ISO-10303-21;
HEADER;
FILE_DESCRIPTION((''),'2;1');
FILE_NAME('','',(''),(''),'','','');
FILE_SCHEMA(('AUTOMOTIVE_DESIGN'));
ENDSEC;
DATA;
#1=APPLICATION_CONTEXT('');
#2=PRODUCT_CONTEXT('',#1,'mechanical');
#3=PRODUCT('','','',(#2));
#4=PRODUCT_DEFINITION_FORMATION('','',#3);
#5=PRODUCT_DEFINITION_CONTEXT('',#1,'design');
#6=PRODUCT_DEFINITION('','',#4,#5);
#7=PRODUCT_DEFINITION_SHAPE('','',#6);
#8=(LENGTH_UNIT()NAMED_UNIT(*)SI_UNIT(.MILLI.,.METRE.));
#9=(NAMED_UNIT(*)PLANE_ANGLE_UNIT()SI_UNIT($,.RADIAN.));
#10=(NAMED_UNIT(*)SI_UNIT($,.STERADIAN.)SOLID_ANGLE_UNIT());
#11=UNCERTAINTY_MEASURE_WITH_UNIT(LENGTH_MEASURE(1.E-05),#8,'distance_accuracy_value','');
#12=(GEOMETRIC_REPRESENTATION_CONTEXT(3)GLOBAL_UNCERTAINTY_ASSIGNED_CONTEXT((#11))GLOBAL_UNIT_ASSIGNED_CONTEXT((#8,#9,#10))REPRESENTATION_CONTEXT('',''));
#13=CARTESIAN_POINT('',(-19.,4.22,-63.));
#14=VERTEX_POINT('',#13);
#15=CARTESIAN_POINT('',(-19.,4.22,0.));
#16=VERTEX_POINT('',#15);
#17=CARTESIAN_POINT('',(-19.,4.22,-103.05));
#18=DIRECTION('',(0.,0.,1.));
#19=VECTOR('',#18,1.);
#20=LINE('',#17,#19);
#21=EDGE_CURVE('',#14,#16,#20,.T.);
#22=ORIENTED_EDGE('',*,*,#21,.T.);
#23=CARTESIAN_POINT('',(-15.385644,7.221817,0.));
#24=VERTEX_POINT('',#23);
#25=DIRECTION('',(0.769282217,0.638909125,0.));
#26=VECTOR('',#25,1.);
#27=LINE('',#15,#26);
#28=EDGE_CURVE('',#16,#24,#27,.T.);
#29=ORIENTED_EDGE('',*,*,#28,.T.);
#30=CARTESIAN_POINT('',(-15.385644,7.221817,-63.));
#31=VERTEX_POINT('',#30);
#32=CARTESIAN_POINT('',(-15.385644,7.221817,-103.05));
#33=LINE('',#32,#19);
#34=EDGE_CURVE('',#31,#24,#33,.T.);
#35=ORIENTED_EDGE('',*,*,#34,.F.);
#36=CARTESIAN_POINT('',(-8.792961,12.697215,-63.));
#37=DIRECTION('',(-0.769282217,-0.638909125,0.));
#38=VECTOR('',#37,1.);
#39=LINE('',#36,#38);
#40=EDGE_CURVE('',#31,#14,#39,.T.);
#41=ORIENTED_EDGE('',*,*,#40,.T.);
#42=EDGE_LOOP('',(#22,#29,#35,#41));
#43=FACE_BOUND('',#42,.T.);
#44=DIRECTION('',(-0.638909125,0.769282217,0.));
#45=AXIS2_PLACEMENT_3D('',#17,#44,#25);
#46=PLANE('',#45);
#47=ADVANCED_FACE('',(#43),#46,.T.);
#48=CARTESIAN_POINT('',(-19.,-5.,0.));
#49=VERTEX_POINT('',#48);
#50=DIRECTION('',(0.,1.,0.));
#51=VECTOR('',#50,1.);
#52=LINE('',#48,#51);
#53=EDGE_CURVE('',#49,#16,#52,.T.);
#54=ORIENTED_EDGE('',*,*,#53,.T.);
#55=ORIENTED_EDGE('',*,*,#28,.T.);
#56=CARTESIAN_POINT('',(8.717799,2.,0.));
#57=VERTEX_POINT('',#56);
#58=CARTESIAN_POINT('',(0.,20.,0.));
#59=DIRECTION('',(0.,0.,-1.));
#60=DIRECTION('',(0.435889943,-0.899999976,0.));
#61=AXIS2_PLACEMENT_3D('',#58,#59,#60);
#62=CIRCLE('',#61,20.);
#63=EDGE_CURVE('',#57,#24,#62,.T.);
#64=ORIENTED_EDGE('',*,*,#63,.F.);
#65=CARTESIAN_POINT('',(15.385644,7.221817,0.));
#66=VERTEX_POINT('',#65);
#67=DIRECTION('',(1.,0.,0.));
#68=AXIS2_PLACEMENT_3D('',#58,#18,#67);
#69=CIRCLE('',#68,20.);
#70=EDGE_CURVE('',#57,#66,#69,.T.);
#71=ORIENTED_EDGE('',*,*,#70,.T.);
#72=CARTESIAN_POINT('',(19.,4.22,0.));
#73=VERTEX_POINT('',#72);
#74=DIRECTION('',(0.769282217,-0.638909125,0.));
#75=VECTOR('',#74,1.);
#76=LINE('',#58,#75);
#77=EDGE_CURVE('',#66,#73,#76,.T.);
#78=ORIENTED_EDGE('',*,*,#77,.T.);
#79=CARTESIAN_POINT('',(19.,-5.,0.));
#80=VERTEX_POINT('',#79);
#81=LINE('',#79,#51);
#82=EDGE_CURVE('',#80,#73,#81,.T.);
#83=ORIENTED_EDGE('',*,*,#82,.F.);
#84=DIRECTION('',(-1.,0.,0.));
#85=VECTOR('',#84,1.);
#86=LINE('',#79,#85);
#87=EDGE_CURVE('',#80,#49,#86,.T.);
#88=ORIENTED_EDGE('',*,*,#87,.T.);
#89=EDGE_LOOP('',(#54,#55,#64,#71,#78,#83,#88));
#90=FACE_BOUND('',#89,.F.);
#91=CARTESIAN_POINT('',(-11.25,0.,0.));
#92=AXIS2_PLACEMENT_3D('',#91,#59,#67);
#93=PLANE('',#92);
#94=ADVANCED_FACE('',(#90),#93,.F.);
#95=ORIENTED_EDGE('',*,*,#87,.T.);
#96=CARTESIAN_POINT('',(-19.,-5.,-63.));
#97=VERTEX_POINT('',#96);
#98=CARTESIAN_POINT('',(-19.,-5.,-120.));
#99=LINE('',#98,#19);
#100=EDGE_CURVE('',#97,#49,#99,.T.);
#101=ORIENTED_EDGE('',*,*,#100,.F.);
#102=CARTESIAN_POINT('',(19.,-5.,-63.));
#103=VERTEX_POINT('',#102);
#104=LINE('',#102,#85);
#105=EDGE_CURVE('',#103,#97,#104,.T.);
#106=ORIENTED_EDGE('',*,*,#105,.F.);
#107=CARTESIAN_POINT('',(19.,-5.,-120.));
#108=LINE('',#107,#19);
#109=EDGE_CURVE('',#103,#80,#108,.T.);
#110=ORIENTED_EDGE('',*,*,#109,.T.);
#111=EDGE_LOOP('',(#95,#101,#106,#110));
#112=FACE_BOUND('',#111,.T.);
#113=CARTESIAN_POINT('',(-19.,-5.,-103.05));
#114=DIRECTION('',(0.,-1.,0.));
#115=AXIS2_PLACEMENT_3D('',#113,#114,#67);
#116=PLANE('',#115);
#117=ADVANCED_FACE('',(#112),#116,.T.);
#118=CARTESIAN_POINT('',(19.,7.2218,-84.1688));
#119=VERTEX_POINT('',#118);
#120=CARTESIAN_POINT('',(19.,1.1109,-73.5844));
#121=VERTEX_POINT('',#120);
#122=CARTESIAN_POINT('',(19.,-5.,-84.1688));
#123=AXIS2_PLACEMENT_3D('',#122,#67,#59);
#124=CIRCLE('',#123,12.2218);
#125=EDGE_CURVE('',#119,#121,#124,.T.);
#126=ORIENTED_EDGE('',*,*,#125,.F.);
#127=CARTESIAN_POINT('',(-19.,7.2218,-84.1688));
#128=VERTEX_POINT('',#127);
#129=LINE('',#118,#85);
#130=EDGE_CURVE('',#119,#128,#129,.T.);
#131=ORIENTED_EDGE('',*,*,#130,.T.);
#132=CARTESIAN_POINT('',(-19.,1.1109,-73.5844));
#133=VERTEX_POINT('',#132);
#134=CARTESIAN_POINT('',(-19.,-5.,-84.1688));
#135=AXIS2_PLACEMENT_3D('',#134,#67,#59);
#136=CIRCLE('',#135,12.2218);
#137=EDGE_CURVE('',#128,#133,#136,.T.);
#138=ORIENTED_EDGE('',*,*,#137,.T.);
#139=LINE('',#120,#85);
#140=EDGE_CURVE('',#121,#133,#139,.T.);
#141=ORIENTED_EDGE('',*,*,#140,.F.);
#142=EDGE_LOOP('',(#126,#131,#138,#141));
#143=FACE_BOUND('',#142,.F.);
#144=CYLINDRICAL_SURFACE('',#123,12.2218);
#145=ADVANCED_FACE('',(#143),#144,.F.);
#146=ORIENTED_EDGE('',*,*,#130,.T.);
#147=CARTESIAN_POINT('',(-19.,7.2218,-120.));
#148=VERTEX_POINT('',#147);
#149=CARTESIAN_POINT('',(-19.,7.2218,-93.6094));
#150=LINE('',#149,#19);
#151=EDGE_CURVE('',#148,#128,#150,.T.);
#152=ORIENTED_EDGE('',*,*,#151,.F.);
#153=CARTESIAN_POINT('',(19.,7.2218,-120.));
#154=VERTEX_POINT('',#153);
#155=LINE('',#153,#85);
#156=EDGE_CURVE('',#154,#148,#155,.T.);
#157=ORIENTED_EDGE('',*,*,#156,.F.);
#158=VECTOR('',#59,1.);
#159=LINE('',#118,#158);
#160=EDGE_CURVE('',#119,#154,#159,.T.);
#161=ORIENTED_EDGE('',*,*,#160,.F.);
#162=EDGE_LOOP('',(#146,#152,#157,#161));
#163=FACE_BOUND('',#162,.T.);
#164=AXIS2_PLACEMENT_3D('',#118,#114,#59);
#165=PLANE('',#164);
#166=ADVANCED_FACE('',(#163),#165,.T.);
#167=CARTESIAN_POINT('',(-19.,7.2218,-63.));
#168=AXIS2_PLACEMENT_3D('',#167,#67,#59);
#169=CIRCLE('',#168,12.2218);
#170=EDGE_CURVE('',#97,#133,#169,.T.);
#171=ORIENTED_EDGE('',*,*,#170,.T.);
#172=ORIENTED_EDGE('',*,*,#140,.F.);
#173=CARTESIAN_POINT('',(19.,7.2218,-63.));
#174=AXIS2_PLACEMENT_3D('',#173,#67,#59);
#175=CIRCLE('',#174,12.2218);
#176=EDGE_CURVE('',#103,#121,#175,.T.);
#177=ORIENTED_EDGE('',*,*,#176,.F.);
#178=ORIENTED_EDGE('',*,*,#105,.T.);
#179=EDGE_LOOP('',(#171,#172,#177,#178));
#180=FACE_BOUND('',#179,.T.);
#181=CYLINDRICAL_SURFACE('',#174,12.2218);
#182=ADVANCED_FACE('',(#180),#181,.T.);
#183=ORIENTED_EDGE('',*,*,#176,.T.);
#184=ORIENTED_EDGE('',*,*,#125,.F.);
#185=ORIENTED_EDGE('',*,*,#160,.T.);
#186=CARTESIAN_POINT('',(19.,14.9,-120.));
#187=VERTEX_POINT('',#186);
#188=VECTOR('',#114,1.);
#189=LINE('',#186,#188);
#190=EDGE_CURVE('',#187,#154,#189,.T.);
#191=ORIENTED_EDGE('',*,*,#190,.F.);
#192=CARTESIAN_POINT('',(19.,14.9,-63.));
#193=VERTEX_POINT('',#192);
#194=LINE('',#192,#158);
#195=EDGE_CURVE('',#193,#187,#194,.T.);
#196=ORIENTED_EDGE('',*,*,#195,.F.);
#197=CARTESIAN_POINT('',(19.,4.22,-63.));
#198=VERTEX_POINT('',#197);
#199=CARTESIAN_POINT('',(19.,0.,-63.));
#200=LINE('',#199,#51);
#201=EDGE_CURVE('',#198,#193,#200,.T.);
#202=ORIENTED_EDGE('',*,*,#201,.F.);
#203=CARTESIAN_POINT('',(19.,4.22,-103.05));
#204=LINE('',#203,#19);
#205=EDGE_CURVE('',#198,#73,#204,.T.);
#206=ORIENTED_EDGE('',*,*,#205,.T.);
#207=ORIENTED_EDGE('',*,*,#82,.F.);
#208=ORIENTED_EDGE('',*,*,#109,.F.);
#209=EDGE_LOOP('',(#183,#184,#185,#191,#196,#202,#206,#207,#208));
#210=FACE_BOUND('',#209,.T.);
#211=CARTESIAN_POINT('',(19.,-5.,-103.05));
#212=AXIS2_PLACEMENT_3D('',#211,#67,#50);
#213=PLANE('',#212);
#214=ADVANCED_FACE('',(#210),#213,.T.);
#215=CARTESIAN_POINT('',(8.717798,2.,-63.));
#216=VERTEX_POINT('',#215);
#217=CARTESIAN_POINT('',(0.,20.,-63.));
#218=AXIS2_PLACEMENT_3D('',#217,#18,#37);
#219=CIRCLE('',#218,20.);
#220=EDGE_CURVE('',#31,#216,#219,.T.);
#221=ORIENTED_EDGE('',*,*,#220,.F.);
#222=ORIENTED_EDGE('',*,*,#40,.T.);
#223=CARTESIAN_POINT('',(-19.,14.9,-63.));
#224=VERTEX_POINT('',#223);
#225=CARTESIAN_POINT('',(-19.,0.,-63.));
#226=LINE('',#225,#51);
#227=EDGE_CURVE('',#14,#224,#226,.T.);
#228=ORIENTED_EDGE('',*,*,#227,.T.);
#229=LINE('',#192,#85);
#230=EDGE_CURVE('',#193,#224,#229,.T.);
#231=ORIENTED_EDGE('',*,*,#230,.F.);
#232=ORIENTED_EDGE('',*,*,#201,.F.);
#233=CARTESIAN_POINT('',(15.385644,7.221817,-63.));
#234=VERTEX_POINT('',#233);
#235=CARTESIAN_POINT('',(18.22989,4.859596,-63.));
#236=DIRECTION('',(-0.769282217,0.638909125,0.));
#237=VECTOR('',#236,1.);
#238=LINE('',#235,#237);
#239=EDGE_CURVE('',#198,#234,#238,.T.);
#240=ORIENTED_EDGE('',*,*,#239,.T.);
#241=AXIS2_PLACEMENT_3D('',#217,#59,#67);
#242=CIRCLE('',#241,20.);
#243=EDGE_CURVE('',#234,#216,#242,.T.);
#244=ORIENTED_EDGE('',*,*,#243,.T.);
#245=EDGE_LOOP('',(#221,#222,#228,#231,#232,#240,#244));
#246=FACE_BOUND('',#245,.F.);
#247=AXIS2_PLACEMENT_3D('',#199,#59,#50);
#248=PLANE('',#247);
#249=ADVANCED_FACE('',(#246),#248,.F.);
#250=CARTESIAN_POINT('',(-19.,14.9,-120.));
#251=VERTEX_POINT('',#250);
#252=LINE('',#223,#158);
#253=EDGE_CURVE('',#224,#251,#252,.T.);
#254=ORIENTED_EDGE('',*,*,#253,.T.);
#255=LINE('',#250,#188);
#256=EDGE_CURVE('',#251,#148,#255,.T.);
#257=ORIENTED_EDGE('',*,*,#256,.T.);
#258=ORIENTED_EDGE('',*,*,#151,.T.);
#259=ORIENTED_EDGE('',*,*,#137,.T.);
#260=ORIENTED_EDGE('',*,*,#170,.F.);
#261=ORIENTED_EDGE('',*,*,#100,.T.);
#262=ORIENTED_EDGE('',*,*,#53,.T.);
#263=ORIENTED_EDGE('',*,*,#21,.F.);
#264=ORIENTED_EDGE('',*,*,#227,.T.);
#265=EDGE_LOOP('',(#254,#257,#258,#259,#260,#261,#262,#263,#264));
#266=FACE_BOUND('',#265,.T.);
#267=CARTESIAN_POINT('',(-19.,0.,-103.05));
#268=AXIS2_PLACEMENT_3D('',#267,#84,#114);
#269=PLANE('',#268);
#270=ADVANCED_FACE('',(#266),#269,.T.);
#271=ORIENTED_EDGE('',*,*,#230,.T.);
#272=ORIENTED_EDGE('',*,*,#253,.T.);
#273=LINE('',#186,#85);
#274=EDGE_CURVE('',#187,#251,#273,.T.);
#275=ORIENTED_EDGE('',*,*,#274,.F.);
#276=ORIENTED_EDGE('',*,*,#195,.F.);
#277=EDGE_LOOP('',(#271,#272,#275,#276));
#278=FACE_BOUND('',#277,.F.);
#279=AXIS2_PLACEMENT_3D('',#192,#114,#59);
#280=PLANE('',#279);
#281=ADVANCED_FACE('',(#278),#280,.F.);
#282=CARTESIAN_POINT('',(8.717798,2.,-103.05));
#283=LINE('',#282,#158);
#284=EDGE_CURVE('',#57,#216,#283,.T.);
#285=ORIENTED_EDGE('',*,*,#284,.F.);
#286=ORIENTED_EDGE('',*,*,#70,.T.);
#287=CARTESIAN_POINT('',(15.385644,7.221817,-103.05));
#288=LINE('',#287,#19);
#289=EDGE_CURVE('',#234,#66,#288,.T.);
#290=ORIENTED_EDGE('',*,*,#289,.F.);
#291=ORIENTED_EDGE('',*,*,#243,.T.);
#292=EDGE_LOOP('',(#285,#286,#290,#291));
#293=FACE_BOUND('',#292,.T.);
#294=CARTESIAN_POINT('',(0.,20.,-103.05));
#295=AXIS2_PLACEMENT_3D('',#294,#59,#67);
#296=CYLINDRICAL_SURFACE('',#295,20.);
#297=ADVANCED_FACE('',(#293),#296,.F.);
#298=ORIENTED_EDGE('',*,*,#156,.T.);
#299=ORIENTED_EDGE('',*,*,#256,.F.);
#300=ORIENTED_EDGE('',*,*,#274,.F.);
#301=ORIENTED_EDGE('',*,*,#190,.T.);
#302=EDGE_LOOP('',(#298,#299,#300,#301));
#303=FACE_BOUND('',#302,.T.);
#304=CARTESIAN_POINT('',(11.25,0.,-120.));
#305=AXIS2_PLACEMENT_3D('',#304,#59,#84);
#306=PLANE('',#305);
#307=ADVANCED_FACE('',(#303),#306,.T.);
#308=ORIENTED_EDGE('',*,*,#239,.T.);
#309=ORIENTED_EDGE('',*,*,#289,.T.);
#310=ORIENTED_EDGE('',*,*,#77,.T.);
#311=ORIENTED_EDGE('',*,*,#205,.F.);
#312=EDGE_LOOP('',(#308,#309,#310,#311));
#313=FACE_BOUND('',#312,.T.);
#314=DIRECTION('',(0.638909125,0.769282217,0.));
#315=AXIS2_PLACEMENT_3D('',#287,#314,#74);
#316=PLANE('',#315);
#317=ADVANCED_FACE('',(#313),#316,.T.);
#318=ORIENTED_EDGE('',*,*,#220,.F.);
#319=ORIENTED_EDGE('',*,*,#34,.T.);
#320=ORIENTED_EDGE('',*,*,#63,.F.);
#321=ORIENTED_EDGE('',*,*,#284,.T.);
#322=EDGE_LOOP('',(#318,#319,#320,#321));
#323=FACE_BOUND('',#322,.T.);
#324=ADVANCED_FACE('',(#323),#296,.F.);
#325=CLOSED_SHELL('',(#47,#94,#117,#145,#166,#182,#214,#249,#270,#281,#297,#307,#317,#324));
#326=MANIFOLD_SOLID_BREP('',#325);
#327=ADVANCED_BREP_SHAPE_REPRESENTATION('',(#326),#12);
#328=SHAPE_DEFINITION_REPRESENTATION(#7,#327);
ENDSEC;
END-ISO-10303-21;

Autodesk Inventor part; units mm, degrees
ref_plane "YZ Plane" through (0, 0, 0) normal (1, 0, 0) x (0, 1, 0)
ref_plane "XZ Plane" through (0, 0, 0) normal (0, 1, 0) x (-1, 0, 0)
ref_plane "XY Plane" through (0, 0, 0) normal (0, 0, 1) x (1, 0, 0)
sketch "スケッチ1" plane through (0, 0, 0) normal (0, 1, 0) x (-1, 0, 0)
  line L0 (11.25, 0) -> (-11.25, 0)
  line L1 (-11.25, 0) -> (-11.25, -120)
  line L2 (-11.25, -120) -> (11.25, -120)
  line L3 (11.25, -120) -> (11.25, 0)
  point P0 (0, 0)
  point P1 (0, 0)
  dimension "d0" = 22.5
  dimension "d3" = 120
extrude "押し出し1" add sketch "スケッチ1" along normal blind 2
sketch "スケッチ2" plane through (0, 0, 0) normal (0, -1, 0) x (1, 0, 0)
  line L0 (19, -120) -> (-19, -120)
  line L1 (-19, -120) -> (-19, -103.05)
  line L2 (-19, -103.05) -> (19, -103.05)
  line L3 (19, -103.05) -> (19, -120)
  line L4 (11.25, -120) -> (-11.25, -120) projected
  point P0 (0, 0)
  point P1 (0, -120)
  dimension "d6" = 38
  dimension "d11" = 16.95
extrude "押し出し2" add sketch "スケッチ2" against normal blind 13.44
sketch "スケッチ4" plane through (11.25, 0, -103.05) normal (0, 0, 1) x (1, 0, 0)
  circle A0 centre (-11.25, 20) radius 20
  line L0 (7.75, 0) -> (0, 0) projected
  line L1 (-22.5, 0) -> (0, 0) projected
  point P0 (-11.25, 0)
  point P1 (-11.25, 0)
  dimension "d12" = 40
extrude "押し出し4" cut sketch "スケッチ4" along normal through all
sketch "スケッチ5" plane through (11.25, 0, -103.05) normal (0, 0, 1) x (1, 0, 0)
  circle A0 centre (-11.25, 20) radius 20
  arc A1 (-11.25, 0) -> (-2.5322, 2) centre (-11.25, 20) ccw projected
  line L0 (-30.25, 13.44) -> (7.75, 13.44)
  line L1 (7.75, 13.44) -> (7.75, -5)
  line L2 (7.75, -5) -> (-30.25, -5)
  line L3 (-30.25, -5) -> (-30.25, 13.44)
  line L4 (7.75, 0) -> (7.75, 13.44) projected
  line L5 (7.75, 0) -> (0, 0) projected
  line L6 (-30.25, 4.22) -> (-11.25, 20)
  line L7 (-11.25, 20) -> (7.75, 4.22)
  point P0 (3.875, 0)
  point P1 (7.6436, 13.44)
  point P2 (-30.1436, 13.44)
  point P3 (7.75, 4.22)
  point P4 (4.1356, 7.2218)
  point P5 (-26.6356, 7.2218)
  point P6 (-3.3514, 13.44)
  point P7 (-19.1486, 13.44)
  dimension "d15" = 5
extrude "押し出し5" add sketch "スケッチ5" along normal up to surface (103.05 mm away) contours A0 L7 L1 L2 L3 L6
sketch "スケッチ24" plane through (11.25, 0, -103.05) normal (0, 0, -1) x (-1, 0, 0)
  line L0 (-7.75, 0) -> (11.25, 0) projected
  line L1 (-7.75, -5) -> (-7.75, 0) projected
  line L2 (30.25, -5) -> (-7.75, -5) projected
  line L3 (30.25, 0) -> (30.25, -5) projected
  line L4 (11.25, 0) -> (30.25, 0) projected
  point P0 (11.25, 0)
extrude "押し出し22" add sketch "スケッチ24" along normal up to surface (16.95 mm away)
sketch "スケッチ25" plane through (19, 13.44, -103.05) normal (1, 0, 0) x (0, 0, -1)
  line L0 (-103.05, -13.44) -> (-103.05, -6.2182) projected
  line L1 (16.95, -18.44) -> (16.95, 0) projected
  line L2 (16.95, -13.44) -> (-40.05, -13.44)
  line L3 (-40.05, -13.44) -> (-40.05, 1.46)
  line L4 (-40.05, 1.46) -> (16.95, 1.46)
  line L5 (16.95, 1.46) -> (16.95, -13.44)
  dimension "d77" = 14.9
  dimension "d78" = 57
extrude "押し出し23" add sketch "スケッチ25" against normal up to surface (38 mm away)
sketch "スケッチ26" plane through (19, -5, 0) normal (1, 0, 0) x (0, 0, -1)
  line L0 (63, 12.2218) -> (0, 12.2218) projected
  circle A0 centre (63, 12.2218) radius 12.2218
  line L1 (0, 0) -> (120, 0) projected
  circle A1 centre (84.1688, 0) radius 12.2218
  line L2 (84.1688, 12.2218) -> (120, 12.2218)
  line L3 (120, 0) -> (120, 19.9) projected
  point P0 (0, 5)
  point P1 (73.5844, 6.1109)
  point P2 (63, 0)
extrude "押し出し24" cut sketch "スケッチ26" against normal through all contours A1 L1 A0 | A1 L1 | L2 L3 L1 A1 picked at (80.2991, 4.512)
properties part number "arm_1_remake"
